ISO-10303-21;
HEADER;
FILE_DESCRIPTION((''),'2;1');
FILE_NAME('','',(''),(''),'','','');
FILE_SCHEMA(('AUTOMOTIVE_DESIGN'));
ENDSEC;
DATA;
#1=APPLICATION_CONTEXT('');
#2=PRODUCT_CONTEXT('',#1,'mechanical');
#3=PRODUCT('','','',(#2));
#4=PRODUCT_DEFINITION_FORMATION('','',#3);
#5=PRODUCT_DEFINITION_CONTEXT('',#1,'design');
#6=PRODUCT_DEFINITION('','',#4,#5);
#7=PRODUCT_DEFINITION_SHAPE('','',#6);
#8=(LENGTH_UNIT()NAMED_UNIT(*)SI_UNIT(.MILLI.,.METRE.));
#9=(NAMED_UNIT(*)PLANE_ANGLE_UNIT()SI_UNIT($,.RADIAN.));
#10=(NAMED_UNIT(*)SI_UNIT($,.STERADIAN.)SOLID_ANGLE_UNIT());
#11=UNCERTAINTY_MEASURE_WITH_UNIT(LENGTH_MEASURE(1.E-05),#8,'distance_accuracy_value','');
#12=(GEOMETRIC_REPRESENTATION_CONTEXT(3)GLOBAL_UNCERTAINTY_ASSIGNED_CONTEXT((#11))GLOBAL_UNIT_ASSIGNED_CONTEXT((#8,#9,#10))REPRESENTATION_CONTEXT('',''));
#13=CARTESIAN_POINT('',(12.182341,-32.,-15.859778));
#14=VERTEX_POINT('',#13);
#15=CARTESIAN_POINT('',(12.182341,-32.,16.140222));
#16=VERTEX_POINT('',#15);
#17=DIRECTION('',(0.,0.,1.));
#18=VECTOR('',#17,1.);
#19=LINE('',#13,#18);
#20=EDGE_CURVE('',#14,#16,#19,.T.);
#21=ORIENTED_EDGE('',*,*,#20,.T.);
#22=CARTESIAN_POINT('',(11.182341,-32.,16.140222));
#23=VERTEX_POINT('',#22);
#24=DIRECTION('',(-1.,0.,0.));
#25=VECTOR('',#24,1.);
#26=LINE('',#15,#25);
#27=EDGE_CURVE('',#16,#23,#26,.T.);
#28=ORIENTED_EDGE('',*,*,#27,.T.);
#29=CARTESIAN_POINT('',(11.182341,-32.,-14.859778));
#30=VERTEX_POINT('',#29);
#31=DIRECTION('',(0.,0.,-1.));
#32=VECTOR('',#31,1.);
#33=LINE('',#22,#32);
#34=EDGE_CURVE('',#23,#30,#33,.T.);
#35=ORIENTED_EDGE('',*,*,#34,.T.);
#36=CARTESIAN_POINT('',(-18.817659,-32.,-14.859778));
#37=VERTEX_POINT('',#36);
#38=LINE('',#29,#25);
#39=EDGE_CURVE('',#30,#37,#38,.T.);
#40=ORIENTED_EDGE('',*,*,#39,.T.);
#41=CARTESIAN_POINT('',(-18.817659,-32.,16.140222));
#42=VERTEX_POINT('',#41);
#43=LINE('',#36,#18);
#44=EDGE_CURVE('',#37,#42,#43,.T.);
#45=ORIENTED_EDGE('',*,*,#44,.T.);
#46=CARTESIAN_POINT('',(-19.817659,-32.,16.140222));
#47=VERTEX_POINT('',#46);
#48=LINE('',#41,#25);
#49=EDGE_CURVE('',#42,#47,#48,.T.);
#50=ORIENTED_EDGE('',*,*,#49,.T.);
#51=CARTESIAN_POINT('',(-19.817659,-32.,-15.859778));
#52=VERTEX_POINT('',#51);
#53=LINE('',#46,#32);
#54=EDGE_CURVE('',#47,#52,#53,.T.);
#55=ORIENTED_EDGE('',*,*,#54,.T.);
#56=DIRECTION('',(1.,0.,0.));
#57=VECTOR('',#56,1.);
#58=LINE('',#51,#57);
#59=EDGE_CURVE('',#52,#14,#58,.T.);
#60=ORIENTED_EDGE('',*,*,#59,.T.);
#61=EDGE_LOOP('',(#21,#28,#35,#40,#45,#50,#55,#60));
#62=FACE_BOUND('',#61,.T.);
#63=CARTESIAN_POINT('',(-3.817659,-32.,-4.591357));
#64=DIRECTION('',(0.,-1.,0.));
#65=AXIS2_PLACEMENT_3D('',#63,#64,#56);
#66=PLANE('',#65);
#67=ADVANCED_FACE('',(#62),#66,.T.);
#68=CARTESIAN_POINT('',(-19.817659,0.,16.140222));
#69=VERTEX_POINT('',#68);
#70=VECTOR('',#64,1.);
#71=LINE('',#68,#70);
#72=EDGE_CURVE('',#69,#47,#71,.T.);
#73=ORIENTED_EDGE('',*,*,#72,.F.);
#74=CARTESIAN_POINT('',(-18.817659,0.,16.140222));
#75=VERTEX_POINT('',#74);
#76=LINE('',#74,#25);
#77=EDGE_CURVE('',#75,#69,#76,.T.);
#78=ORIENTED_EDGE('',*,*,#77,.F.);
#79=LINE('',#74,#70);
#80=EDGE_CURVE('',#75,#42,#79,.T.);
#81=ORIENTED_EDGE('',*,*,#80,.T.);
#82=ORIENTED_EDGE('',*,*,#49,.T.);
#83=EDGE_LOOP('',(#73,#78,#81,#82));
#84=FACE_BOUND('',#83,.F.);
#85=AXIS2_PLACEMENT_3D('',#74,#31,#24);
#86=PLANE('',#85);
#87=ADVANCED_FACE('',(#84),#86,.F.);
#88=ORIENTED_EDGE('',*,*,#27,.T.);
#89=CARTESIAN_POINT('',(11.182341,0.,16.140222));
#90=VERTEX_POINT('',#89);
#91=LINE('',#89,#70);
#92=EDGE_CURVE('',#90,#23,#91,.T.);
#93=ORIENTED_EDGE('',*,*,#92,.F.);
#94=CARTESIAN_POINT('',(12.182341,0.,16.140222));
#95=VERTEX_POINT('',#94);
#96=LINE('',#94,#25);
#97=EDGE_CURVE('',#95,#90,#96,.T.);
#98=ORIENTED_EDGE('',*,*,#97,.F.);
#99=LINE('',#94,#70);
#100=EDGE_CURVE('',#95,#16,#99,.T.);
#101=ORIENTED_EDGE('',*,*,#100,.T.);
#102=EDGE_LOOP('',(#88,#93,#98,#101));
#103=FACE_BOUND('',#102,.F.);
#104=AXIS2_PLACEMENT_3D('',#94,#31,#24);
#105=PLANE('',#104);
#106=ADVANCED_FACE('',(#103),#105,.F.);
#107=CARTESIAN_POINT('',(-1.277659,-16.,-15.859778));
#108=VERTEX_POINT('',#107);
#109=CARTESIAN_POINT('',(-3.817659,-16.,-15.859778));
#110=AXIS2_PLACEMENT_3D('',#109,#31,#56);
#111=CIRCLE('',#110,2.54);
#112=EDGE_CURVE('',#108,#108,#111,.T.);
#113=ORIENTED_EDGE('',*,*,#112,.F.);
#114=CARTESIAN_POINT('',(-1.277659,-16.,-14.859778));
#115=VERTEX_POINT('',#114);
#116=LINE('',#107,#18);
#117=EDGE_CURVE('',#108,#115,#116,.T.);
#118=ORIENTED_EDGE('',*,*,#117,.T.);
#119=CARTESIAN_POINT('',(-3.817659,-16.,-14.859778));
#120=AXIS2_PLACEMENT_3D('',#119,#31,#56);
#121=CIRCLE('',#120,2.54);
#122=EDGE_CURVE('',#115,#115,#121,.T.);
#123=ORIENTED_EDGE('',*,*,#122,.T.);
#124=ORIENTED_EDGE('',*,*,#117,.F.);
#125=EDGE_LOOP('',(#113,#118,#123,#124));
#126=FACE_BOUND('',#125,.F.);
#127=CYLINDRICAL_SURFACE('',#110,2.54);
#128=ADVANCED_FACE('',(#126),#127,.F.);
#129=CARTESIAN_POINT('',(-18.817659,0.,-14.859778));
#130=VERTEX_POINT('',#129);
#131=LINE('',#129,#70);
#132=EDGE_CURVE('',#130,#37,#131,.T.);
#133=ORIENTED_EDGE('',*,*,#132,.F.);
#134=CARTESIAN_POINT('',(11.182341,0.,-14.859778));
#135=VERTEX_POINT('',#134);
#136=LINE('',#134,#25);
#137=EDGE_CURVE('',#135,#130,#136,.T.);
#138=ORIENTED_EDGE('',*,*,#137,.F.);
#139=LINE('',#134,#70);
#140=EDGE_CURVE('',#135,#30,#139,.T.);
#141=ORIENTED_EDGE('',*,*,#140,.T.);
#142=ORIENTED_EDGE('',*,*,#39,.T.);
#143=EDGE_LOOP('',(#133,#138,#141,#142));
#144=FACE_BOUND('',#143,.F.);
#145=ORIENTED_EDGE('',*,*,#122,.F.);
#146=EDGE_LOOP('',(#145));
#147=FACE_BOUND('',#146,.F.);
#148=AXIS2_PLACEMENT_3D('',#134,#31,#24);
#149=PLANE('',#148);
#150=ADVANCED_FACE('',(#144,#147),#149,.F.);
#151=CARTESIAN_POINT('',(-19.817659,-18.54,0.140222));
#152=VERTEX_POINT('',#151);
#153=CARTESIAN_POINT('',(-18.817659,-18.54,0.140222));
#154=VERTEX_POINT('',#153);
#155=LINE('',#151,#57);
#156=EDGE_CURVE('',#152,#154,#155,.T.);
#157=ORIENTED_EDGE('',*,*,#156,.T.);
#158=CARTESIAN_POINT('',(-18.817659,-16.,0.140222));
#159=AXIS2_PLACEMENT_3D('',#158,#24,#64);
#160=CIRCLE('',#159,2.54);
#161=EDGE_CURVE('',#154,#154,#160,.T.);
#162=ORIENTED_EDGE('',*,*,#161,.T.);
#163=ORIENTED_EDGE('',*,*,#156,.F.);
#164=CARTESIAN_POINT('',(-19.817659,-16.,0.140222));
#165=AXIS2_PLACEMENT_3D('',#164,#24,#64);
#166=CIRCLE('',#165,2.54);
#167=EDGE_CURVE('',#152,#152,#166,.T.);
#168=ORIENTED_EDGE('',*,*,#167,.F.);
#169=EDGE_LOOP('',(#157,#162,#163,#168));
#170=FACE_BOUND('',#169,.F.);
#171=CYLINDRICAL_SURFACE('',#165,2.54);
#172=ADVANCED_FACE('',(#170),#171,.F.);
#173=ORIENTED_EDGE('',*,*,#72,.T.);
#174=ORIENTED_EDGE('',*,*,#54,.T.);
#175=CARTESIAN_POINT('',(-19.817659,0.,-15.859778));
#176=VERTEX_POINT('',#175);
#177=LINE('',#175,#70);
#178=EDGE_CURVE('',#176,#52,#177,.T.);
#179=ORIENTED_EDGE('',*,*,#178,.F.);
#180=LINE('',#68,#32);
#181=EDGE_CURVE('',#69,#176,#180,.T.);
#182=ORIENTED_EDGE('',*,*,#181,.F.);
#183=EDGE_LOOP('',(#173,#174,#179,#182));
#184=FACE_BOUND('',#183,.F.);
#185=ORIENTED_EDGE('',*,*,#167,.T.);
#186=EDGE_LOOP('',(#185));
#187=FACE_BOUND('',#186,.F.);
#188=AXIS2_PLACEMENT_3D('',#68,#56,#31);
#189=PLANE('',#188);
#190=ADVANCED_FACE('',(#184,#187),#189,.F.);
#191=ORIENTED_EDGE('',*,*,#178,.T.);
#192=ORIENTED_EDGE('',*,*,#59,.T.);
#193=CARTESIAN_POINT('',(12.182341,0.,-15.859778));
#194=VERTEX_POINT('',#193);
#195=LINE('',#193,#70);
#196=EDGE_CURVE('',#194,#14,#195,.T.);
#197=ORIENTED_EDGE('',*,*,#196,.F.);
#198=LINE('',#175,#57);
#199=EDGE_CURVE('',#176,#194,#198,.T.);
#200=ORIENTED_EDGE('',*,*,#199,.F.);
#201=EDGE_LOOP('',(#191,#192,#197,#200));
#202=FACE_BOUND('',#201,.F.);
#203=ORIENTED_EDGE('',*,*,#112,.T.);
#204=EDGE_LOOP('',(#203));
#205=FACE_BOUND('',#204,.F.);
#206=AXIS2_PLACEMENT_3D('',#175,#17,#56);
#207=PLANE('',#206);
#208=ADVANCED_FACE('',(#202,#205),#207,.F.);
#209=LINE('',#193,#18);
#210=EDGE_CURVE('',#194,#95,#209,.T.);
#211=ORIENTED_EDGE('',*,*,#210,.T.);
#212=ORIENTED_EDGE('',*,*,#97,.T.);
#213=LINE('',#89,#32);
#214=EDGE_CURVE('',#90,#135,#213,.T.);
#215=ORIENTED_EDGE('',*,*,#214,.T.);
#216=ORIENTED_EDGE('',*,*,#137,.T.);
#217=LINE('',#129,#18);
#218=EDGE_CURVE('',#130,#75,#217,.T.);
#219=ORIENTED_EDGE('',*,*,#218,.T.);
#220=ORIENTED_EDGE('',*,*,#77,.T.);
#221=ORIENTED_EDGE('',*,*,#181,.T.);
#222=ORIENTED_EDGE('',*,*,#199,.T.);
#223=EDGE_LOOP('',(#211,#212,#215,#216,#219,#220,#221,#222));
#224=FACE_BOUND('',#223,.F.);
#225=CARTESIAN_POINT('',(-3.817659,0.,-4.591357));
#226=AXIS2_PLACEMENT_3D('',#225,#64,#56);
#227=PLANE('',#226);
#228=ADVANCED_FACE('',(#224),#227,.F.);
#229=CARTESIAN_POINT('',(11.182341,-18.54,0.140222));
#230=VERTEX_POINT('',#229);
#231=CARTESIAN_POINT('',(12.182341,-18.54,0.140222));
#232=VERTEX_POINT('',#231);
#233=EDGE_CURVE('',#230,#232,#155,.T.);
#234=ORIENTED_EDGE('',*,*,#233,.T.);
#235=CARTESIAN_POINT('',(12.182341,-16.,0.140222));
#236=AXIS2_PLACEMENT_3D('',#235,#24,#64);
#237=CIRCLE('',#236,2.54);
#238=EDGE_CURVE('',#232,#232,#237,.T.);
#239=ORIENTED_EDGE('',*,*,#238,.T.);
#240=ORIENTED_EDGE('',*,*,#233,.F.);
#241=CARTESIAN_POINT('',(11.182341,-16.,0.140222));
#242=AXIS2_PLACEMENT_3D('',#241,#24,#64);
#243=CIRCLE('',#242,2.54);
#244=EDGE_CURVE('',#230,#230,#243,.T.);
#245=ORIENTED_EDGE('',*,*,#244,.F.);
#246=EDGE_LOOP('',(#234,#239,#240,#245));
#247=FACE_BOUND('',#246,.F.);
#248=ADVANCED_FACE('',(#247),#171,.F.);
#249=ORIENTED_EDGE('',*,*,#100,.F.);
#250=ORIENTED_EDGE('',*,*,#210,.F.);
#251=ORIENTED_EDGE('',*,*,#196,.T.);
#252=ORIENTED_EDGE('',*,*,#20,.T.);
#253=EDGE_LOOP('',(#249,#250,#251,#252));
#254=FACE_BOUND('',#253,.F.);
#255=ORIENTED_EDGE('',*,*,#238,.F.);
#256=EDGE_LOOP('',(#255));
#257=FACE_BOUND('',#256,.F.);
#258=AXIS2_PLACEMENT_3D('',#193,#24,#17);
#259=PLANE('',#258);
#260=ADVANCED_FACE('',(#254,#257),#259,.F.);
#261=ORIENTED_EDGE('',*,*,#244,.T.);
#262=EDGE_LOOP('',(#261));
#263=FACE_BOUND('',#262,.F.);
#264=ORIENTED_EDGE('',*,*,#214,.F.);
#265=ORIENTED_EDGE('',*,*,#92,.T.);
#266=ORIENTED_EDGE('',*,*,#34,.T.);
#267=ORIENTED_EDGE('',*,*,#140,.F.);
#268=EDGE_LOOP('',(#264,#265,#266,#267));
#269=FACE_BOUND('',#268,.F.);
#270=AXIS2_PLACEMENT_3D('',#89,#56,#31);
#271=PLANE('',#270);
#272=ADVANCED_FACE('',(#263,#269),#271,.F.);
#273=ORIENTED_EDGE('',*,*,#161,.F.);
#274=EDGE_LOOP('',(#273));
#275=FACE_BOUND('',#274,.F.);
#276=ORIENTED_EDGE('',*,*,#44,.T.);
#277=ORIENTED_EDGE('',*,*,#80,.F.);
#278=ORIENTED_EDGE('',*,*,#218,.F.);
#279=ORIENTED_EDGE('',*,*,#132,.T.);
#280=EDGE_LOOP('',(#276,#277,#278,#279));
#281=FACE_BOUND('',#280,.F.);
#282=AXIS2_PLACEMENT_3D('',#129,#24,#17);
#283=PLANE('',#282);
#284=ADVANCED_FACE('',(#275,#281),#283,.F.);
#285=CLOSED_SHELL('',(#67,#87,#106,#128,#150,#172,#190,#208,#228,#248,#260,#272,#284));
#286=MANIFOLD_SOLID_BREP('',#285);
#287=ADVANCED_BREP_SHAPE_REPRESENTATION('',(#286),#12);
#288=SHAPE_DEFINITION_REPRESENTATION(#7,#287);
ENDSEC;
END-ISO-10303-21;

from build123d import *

# Parameters (mm, degrees)
F1_DEPTH = 32
F2_R     = 2.54
F3_DEPTH = 76.2
F4_R     = 2.54
F5_DEPTH = 25.4


with BuildPart() as f1:
    # F0 (on Front) → F1 (new body)
    with BuildSketch(Plane.XZ):
        Polygon((-18.817659, 16.140222), (-19.817659, 16.140222), (-19.817659, -15.859778), (12.182341, -15.859778), (12.182341, 16.140222), (11.182341, 16.140222), (11.182341, -14.859778), (-18.817659, -14.859778), align=None)
    extrude(amount=F1_DEPTH)

    # F2 (on face) → F3 (cut)
    with BuildSketch(Plane(origin=(-19.817659, 0, 0), x_dir=(0, -1, 0), z_dir=(-1, 0, 0))):
        with Locations((16, 0.140222)):
            Circle(F2_R)
    extrude(amount=-F3_DEPTH, mode=Mode.SUBTRACT)

    # F4 (on face) → F5 (cut)
    with BuildSketch(Plane(origin=(0, 0, -15.859778), x_dir=(1, 0, 0), z_dir=(0, 0, -1))):
        with Locations((-3.817659, 16)):
            Circle(F4_R)
    extrude(amount=-F5_DEPTH, mode=Mode.SUBTRACT)


solid = f1.part
